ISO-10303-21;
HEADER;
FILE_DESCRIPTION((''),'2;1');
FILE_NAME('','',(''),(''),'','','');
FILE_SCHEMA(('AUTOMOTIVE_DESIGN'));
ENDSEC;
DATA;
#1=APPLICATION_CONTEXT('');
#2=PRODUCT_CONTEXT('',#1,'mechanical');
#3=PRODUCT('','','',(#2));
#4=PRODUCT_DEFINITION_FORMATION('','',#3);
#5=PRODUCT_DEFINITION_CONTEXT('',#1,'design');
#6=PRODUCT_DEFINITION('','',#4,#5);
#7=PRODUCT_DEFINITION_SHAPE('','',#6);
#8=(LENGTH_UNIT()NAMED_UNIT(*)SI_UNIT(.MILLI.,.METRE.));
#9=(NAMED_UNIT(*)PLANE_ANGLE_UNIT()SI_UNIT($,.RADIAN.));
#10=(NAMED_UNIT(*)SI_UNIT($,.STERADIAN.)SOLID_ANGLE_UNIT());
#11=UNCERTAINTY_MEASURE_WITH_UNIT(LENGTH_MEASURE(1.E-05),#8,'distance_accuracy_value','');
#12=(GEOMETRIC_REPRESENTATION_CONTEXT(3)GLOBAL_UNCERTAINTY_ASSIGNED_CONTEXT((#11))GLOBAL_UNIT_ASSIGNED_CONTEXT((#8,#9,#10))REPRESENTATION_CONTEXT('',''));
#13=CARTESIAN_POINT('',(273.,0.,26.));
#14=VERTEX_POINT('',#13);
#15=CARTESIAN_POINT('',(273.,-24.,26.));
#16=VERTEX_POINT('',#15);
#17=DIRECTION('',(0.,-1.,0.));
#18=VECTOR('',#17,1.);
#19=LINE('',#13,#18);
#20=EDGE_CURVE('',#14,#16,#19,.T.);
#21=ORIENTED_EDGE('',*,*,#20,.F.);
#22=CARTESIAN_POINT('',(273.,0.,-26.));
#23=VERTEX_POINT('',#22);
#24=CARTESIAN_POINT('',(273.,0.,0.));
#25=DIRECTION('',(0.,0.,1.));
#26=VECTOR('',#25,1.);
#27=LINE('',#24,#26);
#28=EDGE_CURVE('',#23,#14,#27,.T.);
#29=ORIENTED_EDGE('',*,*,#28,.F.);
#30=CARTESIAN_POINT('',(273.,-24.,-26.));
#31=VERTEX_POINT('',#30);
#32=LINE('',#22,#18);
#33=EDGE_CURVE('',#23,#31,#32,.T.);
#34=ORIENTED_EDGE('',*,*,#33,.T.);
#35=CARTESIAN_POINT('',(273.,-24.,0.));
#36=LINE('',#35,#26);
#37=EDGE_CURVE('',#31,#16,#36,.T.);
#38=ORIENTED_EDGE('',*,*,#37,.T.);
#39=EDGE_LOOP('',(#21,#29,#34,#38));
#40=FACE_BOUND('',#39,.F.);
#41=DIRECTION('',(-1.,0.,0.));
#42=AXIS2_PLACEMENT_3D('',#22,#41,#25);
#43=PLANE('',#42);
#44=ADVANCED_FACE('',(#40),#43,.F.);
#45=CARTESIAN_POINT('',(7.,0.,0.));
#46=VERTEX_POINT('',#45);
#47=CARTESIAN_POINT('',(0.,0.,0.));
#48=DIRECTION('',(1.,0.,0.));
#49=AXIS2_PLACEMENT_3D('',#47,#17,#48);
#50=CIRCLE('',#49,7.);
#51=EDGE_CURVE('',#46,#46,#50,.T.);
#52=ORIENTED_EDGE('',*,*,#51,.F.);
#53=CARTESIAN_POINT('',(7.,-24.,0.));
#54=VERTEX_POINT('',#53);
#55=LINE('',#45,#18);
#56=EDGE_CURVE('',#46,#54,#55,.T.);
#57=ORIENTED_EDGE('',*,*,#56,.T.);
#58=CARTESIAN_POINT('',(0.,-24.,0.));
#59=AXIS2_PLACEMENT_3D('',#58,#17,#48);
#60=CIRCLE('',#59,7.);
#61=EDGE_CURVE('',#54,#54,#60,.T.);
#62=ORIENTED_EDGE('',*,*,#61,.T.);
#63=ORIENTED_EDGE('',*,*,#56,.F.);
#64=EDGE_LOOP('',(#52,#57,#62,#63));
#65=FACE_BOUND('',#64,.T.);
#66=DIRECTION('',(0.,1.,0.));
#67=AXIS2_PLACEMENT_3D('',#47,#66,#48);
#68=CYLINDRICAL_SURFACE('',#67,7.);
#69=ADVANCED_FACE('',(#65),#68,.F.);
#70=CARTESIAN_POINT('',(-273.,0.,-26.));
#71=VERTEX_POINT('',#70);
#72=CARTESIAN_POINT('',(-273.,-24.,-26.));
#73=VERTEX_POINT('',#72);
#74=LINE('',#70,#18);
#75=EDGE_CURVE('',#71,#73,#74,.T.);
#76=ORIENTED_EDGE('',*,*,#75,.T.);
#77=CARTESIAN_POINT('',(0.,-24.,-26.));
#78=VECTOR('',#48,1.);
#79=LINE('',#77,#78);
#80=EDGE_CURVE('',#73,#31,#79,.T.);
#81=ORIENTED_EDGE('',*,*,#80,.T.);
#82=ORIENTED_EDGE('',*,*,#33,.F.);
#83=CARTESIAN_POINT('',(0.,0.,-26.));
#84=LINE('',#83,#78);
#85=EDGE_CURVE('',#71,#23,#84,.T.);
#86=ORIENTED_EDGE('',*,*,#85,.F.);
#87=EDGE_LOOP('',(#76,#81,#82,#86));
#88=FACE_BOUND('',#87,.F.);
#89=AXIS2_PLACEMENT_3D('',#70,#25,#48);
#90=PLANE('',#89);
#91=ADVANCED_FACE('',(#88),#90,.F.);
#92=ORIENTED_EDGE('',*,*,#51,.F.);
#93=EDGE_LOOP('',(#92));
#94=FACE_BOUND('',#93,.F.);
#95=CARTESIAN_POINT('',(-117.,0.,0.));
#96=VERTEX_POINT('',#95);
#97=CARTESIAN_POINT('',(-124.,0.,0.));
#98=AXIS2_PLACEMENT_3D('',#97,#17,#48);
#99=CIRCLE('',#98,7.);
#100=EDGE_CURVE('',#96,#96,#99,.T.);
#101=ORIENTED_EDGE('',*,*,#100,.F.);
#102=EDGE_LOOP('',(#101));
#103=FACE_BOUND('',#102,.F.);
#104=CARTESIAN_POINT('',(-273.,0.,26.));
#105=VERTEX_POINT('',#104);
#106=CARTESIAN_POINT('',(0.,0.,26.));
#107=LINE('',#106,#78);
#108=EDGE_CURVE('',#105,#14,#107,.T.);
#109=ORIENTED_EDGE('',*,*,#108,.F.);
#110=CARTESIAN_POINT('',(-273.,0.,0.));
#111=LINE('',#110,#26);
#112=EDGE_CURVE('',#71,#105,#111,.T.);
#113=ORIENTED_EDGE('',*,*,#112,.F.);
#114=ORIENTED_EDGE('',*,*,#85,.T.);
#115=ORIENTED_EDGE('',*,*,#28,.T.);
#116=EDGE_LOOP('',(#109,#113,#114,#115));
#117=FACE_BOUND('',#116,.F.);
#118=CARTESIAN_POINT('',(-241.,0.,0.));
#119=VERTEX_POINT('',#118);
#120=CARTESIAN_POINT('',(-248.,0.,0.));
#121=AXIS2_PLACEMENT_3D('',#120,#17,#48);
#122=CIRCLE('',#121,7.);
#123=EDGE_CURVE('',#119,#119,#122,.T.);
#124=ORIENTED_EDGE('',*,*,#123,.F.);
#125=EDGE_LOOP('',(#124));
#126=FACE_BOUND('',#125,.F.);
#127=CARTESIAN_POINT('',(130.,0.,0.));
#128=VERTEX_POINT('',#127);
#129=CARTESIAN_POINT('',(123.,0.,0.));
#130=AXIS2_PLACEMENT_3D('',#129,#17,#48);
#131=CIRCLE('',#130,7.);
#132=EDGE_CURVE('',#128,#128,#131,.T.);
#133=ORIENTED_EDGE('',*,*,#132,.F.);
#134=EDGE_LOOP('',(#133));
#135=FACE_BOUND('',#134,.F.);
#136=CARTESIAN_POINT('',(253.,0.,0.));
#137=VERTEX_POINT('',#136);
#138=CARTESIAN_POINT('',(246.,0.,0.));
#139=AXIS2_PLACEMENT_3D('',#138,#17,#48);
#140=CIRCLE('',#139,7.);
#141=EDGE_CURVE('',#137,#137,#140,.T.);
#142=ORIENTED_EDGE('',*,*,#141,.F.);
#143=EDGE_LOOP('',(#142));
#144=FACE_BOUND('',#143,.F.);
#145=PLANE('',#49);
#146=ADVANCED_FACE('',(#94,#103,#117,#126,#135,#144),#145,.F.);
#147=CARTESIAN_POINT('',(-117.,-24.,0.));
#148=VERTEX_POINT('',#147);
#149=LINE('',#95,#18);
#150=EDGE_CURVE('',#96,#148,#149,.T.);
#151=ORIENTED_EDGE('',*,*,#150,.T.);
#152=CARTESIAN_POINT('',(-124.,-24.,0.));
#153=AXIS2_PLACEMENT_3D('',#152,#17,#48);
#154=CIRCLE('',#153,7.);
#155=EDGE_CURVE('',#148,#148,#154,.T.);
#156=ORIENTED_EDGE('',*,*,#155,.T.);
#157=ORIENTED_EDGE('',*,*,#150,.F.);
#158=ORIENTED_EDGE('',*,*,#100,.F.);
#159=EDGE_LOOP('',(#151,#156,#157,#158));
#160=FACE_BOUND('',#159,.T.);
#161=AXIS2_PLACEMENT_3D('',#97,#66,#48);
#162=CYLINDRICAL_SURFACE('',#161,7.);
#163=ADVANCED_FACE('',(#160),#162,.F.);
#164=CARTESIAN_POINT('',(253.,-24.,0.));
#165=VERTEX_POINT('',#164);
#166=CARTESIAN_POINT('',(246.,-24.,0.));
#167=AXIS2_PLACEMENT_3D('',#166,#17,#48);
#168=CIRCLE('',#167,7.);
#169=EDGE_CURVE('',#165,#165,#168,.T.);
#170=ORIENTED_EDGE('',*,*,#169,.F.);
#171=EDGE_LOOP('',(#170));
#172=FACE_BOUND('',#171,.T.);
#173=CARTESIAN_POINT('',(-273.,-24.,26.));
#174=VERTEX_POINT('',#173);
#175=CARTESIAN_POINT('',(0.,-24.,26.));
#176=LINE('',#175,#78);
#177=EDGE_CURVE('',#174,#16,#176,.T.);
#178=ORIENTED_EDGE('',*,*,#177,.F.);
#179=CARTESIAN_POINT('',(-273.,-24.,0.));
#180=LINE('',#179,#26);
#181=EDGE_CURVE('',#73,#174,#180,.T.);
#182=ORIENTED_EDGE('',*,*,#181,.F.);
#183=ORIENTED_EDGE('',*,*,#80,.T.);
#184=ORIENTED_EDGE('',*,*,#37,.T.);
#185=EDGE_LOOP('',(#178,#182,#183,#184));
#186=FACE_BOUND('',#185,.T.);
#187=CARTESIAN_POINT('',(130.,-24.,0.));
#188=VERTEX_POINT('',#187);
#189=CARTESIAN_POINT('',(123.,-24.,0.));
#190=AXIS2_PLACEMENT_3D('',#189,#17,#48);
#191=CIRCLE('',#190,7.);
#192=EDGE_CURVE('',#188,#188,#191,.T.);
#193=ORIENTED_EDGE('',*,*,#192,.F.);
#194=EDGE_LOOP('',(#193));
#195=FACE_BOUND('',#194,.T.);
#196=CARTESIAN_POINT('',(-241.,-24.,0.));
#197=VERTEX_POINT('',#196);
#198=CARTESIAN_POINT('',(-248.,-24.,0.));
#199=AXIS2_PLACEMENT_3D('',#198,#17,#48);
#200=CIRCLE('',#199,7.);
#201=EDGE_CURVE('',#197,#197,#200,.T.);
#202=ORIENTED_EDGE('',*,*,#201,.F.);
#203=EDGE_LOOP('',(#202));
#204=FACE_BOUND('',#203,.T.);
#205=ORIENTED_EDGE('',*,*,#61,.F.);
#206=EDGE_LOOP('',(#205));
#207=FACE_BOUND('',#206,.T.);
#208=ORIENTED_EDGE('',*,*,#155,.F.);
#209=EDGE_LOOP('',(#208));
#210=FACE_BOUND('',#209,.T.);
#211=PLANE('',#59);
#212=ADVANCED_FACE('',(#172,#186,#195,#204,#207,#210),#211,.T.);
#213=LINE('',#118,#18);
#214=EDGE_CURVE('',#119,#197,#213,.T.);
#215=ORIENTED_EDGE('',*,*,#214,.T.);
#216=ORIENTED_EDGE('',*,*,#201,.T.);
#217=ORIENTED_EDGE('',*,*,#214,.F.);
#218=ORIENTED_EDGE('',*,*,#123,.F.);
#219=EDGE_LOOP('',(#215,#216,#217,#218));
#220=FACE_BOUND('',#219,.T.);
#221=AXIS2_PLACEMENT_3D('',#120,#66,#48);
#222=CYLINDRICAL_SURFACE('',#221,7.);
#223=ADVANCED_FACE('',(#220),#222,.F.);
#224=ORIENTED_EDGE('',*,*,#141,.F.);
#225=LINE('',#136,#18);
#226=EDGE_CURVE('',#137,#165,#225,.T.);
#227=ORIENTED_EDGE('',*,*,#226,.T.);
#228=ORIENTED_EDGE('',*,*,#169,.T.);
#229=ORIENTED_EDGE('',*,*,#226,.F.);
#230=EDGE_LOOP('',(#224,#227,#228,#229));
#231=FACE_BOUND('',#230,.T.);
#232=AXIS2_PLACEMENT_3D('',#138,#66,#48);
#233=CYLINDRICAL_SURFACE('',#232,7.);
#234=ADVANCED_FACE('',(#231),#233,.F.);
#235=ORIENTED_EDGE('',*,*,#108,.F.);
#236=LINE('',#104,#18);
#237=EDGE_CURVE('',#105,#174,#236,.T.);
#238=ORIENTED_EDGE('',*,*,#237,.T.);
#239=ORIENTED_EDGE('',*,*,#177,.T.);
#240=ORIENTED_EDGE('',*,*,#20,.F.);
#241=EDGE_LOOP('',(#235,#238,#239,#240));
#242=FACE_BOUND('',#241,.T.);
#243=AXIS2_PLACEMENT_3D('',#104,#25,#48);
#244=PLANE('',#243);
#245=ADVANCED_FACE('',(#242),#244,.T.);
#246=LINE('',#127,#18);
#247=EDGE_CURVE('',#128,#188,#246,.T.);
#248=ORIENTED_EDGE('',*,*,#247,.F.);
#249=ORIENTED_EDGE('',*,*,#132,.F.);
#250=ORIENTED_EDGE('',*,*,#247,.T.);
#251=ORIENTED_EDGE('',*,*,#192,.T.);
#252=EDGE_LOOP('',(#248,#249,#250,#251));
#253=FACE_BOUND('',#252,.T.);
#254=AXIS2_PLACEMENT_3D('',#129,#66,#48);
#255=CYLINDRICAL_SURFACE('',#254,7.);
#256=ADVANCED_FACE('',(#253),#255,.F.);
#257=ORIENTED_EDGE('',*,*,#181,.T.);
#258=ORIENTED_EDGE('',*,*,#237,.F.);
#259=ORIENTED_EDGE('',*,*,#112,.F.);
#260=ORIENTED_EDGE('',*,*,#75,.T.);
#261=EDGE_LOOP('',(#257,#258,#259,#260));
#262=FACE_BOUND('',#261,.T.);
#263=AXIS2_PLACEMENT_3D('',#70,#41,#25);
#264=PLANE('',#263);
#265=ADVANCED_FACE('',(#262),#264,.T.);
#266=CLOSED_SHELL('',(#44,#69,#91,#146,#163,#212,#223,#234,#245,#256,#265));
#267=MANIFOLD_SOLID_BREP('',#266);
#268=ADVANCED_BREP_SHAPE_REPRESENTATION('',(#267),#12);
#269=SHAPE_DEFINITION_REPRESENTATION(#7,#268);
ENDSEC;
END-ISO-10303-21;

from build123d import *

# Parameters (mm, degrees)
F0_W     = 546
F0_H     = 52
F0_R     = 7
F1_DEPTH = 24


with BuildPart() as f1:
    # F0 (on Front) → F1 (new body)
    with BuildSketch(Plane.XZ):
        Rectangle(F0_W, F0_H)
        with Locations((-248, 0)):
            Circle(F0_R, mode=Mode.SUBTRACT)
        with Locations((-124, 0)):
            Circle(F0_R, mode=Mode.SUBTRACT)
        Circle(F0_R, mode=Mode.SUBTRACT)
        with Locations((123, 0)):
            Circle(F0_R, mode=Mode.SUBTRACT)
        with Locations((246, 0)):
            Circle(F0_R, mode=Mode.SUBTRACT)
    extrude(amount=F1_DEPTH)


solid = f1.part
